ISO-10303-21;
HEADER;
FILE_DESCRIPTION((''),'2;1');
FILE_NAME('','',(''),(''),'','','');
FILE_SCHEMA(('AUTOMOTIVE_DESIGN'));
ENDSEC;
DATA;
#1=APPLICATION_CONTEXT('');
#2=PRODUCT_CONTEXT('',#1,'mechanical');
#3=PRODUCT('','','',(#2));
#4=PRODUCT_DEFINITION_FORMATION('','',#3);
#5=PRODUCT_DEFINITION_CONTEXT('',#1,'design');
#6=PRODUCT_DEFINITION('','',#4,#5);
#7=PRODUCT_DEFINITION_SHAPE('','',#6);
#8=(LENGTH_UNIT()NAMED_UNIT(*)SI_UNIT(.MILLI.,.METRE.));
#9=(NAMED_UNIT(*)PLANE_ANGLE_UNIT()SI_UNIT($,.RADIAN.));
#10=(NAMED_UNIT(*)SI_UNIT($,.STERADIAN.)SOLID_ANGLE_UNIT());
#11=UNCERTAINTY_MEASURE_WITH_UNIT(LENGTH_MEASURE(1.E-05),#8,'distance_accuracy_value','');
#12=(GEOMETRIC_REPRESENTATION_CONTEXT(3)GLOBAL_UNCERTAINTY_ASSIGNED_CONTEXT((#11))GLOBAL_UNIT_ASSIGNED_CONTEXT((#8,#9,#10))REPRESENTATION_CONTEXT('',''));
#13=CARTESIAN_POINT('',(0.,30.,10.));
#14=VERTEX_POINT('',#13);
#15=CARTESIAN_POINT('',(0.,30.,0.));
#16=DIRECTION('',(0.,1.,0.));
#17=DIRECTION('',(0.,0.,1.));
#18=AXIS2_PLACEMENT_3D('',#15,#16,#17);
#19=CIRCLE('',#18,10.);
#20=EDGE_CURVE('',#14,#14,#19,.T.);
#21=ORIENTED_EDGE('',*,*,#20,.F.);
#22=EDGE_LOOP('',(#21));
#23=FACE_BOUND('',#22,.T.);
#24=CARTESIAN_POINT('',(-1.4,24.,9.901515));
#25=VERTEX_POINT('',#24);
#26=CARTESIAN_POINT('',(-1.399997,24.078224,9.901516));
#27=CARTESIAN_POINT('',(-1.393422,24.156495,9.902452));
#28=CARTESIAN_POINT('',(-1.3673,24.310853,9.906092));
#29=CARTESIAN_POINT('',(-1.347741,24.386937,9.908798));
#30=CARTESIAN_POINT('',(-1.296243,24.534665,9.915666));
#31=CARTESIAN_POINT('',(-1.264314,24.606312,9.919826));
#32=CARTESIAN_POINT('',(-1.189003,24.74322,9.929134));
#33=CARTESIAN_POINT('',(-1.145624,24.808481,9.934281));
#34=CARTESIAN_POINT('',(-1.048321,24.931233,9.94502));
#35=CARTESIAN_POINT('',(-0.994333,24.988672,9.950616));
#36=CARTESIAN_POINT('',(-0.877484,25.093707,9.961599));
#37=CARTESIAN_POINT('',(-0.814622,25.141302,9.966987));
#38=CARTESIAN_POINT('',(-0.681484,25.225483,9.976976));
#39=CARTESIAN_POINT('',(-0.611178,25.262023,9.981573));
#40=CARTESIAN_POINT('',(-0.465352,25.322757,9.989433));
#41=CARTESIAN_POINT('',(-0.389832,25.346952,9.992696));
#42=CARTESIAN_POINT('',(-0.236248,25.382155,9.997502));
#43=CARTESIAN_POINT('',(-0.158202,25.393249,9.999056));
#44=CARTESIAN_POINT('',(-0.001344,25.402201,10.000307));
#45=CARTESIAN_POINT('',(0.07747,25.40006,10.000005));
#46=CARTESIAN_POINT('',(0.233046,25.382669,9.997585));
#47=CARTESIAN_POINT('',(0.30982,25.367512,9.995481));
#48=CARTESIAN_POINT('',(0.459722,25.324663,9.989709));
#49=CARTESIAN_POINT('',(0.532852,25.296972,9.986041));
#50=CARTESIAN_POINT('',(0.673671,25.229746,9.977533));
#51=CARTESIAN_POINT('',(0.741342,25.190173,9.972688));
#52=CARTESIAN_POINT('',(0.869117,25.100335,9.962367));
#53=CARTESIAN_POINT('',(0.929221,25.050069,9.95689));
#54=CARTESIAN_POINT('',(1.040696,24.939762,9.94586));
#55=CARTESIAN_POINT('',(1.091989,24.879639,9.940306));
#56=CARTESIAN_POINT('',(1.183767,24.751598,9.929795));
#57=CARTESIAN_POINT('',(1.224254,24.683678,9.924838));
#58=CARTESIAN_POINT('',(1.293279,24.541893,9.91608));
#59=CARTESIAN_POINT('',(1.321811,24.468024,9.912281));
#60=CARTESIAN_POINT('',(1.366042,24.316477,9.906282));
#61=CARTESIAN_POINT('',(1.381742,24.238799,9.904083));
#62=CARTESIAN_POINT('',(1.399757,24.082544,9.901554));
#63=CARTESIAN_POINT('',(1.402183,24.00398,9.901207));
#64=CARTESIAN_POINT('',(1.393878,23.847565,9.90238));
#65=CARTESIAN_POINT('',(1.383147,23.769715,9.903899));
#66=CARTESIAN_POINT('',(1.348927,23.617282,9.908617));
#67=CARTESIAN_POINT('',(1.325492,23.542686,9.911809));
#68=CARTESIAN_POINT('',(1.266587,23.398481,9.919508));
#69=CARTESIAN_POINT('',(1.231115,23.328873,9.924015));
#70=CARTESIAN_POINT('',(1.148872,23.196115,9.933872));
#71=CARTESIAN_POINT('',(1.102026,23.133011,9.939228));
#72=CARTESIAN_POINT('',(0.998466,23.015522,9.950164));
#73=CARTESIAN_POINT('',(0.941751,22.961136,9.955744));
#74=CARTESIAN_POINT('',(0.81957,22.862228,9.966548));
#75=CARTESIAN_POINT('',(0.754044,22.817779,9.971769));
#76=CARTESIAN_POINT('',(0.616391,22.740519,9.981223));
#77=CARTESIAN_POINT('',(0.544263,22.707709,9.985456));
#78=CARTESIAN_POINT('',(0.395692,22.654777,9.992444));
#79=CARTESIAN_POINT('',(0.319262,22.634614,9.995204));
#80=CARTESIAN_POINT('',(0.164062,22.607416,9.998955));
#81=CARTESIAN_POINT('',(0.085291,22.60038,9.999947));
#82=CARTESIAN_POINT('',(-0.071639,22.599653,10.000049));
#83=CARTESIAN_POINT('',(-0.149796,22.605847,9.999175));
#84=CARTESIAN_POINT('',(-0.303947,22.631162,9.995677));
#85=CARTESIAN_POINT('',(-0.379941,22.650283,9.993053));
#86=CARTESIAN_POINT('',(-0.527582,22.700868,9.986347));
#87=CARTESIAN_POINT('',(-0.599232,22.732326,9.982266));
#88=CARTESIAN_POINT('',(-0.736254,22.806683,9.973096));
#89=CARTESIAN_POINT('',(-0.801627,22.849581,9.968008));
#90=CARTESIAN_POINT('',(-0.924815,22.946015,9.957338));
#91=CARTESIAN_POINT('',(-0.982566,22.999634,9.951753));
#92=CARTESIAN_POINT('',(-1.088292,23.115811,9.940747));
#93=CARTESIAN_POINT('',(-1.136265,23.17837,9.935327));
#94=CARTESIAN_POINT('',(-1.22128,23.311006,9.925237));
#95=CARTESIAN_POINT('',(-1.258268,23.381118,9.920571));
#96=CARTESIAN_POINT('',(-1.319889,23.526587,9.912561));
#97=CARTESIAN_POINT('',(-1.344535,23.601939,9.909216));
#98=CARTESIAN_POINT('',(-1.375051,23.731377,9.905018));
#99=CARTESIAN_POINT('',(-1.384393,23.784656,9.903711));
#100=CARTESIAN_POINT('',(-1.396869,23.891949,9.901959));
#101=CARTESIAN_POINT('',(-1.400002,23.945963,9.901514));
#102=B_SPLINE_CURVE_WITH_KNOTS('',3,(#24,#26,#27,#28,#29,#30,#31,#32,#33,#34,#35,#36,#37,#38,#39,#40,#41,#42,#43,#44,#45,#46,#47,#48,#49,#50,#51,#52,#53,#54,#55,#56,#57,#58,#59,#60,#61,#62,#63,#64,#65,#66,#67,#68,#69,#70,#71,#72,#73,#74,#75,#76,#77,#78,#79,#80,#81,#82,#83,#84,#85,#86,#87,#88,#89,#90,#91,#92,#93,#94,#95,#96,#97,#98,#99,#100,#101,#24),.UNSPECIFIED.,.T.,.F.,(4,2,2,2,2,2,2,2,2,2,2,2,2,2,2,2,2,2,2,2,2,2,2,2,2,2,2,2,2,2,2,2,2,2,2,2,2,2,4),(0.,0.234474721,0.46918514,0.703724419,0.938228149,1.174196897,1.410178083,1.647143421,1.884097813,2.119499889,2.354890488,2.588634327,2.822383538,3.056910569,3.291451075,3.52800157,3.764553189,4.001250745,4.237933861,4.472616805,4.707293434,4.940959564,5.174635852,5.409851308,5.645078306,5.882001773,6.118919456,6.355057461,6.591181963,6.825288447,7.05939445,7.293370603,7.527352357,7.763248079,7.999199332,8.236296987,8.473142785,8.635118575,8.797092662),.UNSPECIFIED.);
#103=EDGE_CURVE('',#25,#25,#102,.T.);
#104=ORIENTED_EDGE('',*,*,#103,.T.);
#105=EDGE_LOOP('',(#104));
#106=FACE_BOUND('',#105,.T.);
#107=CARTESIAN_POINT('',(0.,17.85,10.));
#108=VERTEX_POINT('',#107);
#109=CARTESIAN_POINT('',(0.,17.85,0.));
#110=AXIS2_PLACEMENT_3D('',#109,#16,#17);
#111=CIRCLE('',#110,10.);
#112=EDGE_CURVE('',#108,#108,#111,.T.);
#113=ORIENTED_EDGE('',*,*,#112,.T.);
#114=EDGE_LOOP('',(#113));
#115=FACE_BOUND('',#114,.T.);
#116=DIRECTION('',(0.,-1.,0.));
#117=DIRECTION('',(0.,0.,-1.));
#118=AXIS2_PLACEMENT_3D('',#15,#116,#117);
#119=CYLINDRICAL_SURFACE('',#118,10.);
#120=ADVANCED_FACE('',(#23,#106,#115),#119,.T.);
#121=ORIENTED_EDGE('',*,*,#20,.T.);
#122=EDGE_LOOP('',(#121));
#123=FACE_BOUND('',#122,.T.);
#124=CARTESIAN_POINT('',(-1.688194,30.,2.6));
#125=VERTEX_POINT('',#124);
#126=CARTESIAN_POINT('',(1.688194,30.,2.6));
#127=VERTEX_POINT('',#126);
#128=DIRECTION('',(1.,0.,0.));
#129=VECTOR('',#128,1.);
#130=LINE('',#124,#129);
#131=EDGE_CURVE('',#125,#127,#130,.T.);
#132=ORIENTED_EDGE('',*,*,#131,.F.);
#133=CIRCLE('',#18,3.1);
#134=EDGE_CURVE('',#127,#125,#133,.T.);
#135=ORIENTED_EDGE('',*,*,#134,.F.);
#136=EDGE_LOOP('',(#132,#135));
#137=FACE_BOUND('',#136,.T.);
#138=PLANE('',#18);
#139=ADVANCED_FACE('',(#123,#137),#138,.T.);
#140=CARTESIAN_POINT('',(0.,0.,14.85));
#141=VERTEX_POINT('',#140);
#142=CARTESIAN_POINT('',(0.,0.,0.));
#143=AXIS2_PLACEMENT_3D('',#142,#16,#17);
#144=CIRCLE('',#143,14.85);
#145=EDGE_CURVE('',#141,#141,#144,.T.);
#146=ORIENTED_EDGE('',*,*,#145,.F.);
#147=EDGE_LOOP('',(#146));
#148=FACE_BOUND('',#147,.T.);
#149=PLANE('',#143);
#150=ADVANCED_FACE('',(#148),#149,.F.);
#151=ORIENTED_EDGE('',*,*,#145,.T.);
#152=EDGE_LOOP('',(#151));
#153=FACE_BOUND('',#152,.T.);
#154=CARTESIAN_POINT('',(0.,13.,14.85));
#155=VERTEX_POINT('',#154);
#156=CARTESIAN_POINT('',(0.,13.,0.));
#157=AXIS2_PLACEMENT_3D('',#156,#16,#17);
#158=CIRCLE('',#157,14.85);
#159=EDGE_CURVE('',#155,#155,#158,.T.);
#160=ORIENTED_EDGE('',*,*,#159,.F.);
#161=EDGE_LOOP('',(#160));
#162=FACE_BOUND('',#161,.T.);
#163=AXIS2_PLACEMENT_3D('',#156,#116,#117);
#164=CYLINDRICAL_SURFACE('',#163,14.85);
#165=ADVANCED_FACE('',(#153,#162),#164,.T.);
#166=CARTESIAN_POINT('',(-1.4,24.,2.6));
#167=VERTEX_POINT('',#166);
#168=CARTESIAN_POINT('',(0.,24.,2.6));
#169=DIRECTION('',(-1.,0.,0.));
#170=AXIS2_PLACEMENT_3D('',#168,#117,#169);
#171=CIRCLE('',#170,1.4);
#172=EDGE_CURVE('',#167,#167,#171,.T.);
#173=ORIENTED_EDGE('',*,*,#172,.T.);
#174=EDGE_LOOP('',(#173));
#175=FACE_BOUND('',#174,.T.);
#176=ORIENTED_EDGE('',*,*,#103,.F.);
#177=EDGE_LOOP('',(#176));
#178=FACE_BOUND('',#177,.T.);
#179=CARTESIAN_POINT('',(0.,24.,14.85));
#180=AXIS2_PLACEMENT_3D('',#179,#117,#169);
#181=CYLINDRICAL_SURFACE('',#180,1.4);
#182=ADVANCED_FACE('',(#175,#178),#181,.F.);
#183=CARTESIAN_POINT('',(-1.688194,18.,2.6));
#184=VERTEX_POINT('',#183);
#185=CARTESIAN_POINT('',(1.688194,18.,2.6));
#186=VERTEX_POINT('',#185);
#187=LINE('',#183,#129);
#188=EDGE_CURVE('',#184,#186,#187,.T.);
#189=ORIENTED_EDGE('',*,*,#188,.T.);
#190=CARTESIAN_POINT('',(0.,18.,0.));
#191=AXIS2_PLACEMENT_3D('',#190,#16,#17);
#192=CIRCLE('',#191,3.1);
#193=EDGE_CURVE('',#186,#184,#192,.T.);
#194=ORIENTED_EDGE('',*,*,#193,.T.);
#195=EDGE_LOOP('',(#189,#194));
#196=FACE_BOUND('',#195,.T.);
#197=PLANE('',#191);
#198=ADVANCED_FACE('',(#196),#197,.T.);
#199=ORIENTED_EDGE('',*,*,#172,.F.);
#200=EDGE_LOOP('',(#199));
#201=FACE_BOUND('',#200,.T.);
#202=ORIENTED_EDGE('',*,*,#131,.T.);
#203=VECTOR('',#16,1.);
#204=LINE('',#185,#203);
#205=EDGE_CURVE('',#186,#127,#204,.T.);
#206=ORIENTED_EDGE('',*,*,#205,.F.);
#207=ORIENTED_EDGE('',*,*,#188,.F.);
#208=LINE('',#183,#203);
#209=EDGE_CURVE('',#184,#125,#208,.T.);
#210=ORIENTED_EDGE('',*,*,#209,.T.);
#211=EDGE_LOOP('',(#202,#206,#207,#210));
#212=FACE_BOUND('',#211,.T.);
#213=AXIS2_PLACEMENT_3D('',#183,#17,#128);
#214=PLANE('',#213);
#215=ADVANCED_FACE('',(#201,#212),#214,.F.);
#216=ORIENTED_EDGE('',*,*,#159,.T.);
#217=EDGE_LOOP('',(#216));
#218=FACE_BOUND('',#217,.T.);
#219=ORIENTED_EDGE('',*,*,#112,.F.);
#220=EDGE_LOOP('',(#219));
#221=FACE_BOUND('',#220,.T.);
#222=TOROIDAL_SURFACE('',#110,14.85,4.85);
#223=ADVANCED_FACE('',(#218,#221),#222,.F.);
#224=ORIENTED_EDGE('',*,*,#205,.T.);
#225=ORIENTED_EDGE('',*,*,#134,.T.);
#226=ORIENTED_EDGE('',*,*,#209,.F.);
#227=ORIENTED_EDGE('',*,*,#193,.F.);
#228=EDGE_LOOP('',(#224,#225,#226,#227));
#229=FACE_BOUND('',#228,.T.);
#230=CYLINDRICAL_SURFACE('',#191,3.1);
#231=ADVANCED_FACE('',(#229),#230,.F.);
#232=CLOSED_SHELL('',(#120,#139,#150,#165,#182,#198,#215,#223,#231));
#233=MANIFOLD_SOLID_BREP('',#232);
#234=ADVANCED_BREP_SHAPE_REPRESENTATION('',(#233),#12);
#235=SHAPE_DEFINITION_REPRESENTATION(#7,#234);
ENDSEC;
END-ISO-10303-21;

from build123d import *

# Parameters (mm, degrees)
SKETCH_1_R          = 14.85
EXTRUDE_1_DEPTH     = 13
SKETCH_2_R          = 10
EXTRUDE_2_DEPTH     = 17
CUT_EXTRUDE_1_DEPTH = 12
SKETCH_13_R         = 1.4
CUT_EXTRUDE_2_DEPTH = 13.25


with BuildPart() as part:
    # 스케치1 → 보스-돌출1 (new body)
    with BuildSketch(Plane(origin=(0, 0, 0), x_dir=(1, 0, 0), z_dir=(0, 1, 0))):
        Circle(SKETCH_1_R)
    extrude(amount=EXTRUDE_1_DEPTH)

    # 스케치2 → 보스-돌출2 (add)
    with BuildSketch(Plane(origin=(0, 13, 0), x_dir=(1, 0, 0), z_dir=(0, 1, 0))):
        Circle(SKETCH_2_R)
    extrude(amount=EXTRUDE_2_DEPTH)

    # 스케치4 → 컷-돌출1 (cut)
    with BuildSketch(Plane(origin=(0, 30, 0), x_dir=(1, 0, 0), z_dir=(0, 1, 0))):
        with BuildLine():
            Line((-1.688194302, -2.6), (1.688194302, -2.6))
            ThreePointArc((1.688194302, -2.6), (0, 3.1), (-1.688194302, -2.6))
        make_face()
    extrude(amount=-CUT_EXTRUDE_1_DEPTH, mode=Mode.SUBTRACT)

    # 스케치13 → 컷-돌출2 (cut, through all)
    with BuildSketch(Plane(origin=(0, 0, 2.6), x_dir=(-1, 0, 0), z_dir=(0, 0, -1))):
        with Locations((0, 24)):
            Circle(SKETCH_13_R)
    extrude(amount=-CUT_EXTRUDE_2_DEPTH, mode=Mode.SUBTRACT)

    # 스케치3 → 회전1 (revolve)
    with BuildSketch(Plane(origin=(0, 0, 0), x_dir=(0, 0, -1), z_dir=(1, 0, 0))):
        with BuildLine():
            ThreePointArc((-14.85, 13), (-11.420532111, 14.420532111), (-10, 17.85))
            Line((-10, 17.85), (-10, 13))
            Line((-10, 13), (-14.85, 13))
        make_face()
    revolve(axis=Axis((0, 34.691748642, 0), (0, -1, 0)))


solid = part.part
